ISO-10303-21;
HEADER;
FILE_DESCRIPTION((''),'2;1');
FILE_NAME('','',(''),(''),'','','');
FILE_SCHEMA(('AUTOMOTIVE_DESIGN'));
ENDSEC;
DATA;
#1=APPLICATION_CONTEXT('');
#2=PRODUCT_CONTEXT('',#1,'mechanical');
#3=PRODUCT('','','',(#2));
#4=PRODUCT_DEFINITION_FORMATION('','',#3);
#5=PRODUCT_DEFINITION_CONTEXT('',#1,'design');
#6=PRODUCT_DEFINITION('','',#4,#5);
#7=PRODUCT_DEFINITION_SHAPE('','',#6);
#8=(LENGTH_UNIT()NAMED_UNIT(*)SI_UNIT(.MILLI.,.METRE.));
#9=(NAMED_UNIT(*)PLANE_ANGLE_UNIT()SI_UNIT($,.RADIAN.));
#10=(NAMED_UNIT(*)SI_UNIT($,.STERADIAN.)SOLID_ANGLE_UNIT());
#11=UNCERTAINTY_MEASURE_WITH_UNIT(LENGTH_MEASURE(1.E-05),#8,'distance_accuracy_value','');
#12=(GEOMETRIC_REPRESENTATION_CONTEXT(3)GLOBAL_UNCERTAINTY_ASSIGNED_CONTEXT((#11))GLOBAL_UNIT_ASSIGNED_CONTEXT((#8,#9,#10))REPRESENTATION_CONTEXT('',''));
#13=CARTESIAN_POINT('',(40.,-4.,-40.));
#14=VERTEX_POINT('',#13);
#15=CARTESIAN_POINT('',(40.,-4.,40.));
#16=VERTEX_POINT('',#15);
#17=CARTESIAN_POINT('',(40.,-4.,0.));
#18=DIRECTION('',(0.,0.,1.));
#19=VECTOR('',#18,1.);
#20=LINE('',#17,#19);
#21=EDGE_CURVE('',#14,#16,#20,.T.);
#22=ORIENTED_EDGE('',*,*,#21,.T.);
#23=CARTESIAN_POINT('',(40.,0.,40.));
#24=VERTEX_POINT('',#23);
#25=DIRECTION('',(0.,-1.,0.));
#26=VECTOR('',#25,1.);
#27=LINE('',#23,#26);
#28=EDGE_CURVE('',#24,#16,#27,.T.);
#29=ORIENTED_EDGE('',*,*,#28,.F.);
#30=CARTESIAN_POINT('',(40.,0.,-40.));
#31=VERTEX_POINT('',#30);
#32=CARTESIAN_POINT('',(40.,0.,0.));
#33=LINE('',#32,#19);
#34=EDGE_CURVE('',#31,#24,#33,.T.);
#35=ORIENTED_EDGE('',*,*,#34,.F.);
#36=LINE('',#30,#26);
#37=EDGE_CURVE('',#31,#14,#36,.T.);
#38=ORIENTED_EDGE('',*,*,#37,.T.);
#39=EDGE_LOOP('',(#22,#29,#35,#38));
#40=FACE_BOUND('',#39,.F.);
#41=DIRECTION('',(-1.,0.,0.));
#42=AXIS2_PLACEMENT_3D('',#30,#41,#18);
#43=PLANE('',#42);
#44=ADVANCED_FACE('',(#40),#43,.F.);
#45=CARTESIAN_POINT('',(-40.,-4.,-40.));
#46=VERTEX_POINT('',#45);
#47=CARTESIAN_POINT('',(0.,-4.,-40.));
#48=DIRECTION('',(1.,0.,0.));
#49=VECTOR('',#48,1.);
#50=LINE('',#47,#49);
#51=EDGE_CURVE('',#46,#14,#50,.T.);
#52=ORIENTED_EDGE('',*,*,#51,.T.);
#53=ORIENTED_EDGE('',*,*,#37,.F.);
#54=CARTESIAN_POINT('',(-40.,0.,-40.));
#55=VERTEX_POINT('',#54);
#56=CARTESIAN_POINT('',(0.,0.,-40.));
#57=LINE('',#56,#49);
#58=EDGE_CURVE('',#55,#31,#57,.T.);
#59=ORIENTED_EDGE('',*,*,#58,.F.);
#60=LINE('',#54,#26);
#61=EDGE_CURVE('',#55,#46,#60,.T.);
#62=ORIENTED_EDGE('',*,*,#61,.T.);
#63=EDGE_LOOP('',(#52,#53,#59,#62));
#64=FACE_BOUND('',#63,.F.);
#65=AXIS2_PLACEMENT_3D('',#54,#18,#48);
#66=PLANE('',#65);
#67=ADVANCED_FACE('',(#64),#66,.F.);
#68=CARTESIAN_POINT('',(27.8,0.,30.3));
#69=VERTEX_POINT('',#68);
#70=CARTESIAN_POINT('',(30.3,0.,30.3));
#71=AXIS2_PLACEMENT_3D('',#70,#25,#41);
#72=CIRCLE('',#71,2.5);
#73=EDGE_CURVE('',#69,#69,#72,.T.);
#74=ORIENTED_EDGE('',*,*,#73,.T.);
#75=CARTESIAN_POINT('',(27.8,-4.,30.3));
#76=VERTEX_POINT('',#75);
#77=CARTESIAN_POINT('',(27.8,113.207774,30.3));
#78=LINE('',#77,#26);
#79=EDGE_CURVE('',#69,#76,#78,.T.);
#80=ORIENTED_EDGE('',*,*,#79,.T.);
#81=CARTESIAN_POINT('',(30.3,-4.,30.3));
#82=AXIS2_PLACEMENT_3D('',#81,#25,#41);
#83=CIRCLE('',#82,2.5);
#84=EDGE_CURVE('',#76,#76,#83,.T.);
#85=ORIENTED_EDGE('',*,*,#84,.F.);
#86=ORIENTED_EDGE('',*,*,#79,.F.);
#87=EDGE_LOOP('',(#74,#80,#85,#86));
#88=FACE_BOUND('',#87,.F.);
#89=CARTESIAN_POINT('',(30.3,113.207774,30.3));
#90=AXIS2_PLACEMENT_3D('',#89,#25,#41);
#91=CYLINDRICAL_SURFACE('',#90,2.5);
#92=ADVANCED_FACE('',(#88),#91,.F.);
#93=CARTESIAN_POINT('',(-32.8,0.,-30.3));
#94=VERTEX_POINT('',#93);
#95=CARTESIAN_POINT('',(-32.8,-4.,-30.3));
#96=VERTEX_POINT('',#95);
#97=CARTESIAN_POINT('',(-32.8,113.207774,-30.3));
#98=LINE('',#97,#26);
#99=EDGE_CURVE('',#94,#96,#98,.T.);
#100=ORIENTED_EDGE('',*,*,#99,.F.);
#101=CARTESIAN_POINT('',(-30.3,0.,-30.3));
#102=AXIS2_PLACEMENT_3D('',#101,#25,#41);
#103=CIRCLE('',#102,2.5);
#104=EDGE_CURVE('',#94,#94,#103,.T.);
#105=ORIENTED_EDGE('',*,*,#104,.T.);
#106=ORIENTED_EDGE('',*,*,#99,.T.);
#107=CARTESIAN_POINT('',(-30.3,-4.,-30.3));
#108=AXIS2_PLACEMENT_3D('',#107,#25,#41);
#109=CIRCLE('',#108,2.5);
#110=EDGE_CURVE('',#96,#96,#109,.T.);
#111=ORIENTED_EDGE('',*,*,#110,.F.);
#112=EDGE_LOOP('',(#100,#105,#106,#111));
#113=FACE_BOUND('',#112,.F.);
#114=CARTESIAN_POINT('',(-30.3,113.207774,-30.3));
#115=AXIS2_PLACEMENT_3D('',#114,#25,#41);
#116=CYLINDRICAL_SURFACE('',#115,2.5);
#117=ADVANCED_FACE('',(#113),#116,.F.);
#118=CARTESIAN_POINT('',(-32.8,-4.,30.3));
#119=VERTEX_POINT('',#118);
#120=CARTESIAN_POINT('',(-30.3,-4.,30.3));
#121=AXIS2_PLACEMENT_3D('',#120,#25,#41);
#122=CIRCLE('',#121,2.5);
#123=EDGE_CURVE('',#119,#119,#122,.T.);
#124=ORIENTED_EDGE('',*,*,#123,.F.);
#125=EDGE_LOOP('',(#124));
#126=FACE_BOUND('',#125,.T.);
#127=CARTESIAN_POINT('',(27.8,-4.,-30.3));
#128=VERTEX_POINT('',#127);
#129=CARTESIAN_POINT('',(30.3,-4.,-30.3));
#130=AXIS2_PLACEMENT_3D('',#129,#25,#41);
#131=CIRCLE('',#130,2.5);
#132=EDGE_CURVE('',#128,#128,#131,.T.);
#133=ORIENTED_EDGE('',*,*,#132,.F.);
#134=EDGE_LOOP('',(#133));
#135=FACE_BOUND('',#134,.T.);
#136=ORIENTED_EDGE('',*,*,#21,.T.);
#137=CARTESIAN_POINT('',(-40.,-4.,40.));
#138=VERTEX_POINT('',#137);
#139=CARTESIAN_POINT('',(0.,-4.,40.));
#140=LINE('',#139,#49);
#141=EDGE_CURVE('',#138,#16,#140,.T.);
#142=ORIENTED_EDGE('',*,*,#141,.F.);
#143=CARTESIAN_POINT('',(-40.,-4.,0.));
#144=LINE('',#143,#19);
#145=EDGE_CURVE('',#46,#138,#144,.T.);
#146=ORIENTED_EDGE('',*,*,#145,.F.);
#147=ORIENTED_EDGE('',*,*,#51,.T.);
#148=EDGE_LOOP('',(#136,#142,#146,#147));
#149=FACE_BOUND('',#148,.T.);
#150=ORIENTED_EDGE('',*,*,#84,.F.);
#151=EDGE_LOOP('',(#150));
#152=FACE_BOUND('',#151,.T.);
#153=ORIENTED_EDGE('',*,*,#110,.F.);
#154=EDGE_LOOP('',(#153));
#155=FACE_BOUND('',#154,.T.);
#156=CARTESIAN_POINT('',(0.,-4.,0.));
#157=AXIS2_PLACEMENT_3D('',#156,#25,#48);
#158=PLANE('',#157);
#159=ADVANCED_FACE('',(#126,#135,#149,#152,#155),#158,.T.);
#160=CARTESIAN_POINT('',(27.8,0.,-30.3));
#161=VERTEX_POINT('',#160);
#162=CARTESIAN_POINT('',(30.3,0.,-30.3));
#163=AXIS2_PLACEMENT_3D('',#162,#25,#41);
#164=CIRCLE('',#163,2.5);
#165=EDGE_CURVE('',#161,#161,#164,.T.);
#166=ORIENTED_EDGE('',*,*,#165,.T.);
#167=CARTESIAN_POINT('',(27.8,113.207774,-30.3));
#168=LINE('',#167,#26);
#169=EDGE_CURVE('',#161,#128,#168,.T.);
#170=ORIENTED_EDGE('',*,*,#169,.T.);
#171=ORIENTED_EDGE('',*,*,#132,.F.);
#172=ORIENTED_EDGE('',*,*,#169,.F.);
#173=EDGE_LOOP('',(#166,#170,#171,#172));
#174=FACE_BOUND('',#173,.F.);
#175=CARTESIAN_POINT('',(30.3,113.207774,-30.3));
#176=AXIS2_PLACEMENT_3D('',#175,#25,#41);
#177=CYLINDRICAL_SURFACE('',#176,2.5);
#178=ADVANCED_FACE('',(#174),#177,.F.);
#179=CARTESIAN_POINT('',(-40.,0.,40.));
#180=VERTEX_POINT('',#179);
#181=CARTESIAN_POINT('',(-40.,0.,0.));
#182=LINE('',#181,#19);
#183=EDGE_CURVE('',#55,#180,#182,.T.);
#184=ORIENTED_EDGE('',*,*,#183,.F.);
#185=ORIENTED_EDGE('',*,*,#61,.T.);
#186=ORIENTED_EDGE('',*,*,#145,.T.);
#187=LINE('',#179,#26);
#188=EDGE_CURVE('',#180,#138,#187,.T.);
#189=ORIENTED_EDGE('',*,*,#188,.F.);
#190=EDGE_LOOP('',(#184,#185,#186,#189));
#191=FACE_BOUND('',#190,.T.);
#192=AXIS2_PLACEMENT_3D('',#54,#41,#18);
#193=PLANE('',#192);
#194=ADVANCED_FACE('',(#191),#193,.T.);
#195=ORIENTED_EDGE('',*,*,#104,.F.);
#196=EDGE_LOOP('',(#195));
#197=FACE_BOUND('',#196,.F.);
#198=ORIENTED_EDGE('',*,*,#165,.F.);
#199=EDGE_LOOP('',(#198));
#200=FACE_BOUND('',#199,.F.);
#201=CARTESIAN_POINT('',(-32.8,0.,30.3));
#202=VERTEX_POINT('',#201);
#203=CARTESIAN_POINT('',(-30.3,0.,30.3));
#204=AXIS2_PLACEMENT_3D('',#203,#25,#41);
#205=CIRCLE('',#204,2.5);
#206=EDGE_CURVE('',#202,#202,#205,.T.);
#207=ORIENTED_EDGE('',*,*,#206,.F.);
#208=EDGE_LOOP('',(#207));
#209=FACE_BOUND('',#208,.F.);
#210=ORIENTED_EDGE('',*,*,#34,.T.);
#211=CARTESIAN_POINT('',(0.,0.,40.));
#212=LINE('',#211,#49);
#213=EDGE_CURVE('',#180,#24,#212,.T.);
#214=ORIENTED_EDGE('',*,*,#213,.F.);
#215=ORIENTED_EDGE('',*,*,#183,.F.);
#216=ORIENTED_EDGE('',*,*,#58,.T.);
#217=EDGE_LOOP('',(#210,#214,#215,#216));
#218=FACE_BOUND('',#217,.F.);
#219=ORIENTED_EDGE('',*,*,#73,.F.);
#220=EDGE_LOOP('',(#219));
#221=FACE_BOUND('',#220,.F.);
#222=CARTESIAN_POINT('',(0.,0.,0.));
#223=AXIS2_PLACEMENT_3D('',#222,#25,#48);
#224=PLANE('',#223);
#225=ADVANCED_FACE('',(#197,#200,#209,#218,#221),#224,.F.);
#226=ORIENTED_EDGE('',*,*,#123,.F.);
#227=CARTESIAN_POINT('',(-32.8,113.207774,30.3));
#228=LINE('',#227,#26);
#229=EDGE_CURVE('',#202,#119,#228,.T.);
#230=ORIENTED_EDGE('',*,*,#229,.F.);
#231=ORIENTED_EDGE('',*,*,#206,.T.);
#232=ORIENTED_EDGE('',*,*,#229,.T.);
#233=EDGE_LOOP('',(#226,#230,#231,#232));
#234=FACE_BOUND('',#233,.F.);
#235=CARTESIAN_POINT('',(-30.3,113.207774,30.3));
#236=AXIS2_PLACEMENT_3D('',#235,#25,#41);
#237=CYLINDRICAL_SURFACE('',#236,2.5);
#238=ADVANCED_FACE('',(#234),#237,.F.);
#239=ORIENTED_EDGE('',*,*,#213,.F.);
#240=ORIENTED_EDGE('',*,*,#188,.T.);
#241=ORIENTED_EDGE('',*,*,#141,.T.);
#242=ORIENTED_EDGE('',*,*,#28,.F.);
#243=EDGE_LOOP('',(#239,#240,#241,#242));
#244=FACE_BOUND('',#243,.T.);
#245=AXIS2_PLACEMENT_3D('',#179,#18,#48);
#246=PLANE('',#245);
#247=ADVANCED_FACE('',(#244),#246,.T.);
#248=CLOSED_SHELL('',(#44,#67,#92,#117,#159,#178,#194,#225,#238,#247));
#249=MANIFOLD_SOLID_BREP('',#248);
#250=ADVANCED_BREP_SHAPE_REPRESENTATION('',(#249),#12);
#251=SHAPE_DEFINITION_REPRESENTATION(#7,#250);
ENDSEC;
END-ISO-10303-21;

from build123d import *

# Parameters (mm, degrees)
F0_W     = 80
F0_H     = 80
F1_DEPTH = 4
F2_D     = 5


with BuildPart() as f1:
    # F0 (on Front) → F1 (new body)
    with BuildSketch(Plane.XZ):
        Rectangle(F0_W, F0_H)
    extrude(amount=F1_DEPTH)

    # F2 (through all)
    with Locations(Plane(origin=(0, 0, 0), x_dir=(1, 0, 0), z_dir=(0, 1, 0))):
        with Locations((-30.3, -30.3), (30.3, -30.3), (30.3, 30.3), (-30.3, 30.3)):
            Hole(F2_D / 2)


solid = f1.part
